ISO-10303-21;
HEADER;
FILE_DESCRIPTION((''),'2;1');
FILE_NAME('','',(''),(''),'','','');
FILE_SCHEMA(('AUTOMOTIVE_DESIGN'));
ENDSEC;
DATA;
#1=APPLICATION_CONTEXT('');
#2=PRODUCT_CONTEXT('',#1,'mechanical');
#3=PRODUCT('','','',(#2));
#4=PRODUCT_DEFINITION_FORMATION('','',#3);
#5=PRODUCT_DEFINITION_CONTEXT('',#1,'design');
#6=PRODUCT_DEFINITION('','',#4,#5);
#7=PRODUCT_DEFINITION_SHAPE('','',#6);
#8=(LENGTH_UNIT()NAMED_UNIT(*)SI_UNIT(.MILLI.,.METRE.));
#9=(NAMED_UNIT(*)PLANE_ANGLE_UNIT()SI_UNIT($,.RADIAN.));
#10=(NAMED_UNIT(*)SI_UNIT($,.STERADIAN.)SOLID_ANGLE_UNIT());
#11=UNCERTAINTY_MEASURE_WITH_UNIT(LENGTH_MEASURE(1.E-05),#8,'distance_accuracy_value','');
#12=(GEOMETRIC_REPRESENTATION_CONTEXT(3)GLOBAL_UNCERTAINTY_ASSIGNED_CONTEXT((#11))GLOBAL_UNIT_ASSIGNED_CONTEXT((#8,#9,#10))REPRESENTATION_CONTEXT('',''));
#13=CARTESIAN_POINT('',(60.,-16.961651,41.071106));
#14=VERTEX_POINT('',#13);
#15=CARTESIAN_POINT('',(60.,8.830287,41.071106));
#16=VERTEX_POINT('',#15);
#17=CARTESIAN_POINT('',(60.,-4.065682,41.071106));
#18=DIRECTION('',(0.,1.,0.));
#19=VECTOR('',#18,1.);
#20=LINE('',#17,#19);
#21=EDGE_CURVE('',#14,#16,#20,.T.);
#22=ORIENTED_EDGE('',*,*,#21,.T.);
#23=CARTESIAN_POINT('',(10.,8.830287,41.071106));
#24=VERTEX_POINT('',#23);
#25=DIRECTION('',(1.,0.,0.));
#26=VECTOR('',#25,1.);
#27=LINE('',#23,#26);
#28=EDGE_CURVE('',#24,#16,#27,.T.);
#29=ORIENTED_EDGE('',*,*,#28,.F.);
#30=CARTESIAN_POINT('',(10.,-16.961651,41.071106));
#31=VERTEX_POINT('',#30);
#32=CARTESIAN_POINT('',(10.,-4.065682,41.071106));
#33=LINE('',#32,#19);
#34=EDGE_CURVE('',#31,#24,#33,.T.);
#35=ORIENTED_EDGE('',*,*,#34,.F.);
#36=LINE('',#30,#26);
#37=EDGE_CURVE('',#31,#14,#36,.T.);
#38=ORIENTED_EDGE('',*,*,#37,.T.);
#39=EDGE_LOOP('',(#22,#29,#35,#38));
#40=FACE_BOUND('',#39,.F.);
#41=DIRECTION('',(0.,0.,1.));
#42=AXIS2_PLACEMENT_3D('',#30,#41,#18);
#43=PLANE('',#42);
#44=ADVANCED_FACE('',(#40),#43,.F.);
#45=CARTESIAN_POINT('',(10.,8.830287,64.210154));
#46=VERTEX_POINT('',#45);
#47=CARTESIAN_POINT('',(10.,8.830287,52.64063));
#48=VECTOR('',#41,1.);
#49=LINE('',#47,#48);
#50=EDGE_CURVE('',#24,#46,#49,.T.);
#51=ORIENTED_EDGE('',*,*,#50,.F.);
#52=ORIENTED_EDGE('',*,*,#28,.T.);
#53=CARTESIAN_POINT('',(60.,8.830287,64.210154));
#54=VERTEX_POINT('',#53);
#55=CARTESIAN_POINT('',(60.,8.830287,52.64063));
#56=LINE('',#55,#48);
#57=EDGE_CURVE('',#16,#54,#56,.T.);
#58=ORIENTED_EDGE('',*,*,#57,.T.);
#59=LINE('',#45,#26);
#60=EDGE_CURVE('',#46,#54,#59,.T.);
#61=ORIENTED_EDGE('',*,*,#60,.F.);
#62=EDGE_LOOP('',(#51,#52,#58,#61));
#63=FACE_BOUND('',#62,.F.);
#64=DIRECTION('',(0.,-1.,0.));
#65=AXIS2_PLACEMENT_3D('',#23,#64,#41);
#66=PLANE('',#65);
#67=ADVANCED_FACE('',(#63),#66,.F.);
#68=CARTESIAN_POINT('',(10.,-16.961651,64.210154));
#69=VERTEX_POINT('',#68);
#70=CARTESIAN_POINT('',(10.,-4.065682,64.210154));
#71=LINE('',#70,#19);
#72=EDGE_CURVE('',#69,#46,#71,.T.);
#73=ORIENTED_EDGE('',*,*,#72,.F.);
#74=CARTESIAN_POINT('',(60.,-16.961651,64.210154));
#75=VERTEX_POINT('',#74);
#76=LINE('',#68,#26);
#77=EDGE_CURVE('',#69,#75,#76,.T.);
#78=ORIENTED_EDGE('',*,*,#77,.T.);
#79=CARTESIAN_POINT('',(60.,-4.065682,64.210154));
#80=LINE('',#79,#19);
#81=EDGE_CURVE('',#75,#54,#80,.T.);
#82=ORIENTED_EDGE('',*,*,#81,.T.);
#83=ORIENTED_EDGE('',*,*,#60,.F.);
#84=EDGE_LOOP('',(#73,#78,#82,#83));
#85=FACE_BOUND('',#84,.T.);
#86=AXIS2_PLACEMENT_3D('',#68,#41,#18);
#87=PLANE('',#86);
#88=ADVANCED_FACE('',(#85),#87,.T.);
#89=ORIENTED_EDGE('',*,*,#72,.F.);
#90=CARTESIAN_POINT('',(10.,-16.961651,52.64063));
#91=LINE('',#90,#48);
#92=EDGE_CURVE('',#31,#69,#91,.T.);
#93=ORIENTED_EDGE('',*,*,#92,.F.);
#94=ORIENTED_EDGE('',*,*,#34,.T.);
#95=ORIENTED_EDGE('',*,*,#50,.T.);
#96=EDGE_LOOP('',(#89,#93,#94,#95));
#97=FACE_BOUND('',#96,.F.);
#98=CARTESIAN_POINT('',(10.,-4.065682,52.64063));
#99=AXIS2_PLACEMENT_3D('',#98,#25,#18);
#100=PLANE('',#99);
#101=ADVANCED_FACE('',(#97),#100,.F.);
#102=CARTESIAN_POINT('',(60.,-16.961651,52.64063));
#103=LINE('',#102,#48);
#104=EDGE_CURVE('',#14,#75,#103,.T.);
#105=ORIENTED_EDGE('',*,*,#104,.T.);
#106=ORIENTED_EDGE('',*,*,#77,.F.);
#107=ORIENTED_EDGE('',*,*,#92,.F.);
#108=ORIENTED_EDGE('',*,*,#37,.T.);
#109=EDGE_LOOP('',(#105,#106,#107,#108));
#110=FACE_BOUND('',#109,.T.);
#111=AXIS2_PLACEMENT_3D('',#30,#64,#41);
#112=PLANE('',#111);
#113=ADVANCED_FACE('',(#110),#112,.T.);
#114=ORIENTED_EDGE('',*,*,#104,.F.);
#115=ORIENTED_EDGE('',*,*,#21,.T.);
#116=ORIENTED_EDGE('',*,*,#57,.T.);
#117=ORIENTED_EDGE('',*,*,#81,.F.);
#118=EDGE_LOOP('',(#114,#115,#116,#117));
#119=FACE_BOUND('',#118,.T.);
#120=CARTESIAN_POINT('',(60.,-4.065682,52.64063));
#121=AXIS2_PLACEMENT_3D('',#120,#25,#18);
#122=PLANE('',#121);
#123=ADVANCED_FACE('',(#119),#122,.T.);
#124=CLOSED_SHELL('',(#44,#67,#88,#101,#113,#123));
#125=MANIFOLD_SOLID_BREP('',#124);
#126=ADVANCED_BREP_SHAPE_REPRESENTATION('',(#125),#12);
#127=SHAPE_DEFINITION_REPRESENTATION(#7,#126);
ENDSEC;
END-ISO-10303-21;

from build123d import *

# Parameters (mm, degrees)
F1_W     = 25.791938
F1_H     = 23.139048
F2_DEPTH = 50


with BuildPart() as f2:
    # F1 (on offset) → F2 (new body)
    with BuildSketch(Plane.YZ.offset(10)):
        with Locations((-4.065682, 52.64063)):
            Rectangle(F1_W, F1_H)
    extrude(amount=F2_DEPTH)


solid = f2.part
